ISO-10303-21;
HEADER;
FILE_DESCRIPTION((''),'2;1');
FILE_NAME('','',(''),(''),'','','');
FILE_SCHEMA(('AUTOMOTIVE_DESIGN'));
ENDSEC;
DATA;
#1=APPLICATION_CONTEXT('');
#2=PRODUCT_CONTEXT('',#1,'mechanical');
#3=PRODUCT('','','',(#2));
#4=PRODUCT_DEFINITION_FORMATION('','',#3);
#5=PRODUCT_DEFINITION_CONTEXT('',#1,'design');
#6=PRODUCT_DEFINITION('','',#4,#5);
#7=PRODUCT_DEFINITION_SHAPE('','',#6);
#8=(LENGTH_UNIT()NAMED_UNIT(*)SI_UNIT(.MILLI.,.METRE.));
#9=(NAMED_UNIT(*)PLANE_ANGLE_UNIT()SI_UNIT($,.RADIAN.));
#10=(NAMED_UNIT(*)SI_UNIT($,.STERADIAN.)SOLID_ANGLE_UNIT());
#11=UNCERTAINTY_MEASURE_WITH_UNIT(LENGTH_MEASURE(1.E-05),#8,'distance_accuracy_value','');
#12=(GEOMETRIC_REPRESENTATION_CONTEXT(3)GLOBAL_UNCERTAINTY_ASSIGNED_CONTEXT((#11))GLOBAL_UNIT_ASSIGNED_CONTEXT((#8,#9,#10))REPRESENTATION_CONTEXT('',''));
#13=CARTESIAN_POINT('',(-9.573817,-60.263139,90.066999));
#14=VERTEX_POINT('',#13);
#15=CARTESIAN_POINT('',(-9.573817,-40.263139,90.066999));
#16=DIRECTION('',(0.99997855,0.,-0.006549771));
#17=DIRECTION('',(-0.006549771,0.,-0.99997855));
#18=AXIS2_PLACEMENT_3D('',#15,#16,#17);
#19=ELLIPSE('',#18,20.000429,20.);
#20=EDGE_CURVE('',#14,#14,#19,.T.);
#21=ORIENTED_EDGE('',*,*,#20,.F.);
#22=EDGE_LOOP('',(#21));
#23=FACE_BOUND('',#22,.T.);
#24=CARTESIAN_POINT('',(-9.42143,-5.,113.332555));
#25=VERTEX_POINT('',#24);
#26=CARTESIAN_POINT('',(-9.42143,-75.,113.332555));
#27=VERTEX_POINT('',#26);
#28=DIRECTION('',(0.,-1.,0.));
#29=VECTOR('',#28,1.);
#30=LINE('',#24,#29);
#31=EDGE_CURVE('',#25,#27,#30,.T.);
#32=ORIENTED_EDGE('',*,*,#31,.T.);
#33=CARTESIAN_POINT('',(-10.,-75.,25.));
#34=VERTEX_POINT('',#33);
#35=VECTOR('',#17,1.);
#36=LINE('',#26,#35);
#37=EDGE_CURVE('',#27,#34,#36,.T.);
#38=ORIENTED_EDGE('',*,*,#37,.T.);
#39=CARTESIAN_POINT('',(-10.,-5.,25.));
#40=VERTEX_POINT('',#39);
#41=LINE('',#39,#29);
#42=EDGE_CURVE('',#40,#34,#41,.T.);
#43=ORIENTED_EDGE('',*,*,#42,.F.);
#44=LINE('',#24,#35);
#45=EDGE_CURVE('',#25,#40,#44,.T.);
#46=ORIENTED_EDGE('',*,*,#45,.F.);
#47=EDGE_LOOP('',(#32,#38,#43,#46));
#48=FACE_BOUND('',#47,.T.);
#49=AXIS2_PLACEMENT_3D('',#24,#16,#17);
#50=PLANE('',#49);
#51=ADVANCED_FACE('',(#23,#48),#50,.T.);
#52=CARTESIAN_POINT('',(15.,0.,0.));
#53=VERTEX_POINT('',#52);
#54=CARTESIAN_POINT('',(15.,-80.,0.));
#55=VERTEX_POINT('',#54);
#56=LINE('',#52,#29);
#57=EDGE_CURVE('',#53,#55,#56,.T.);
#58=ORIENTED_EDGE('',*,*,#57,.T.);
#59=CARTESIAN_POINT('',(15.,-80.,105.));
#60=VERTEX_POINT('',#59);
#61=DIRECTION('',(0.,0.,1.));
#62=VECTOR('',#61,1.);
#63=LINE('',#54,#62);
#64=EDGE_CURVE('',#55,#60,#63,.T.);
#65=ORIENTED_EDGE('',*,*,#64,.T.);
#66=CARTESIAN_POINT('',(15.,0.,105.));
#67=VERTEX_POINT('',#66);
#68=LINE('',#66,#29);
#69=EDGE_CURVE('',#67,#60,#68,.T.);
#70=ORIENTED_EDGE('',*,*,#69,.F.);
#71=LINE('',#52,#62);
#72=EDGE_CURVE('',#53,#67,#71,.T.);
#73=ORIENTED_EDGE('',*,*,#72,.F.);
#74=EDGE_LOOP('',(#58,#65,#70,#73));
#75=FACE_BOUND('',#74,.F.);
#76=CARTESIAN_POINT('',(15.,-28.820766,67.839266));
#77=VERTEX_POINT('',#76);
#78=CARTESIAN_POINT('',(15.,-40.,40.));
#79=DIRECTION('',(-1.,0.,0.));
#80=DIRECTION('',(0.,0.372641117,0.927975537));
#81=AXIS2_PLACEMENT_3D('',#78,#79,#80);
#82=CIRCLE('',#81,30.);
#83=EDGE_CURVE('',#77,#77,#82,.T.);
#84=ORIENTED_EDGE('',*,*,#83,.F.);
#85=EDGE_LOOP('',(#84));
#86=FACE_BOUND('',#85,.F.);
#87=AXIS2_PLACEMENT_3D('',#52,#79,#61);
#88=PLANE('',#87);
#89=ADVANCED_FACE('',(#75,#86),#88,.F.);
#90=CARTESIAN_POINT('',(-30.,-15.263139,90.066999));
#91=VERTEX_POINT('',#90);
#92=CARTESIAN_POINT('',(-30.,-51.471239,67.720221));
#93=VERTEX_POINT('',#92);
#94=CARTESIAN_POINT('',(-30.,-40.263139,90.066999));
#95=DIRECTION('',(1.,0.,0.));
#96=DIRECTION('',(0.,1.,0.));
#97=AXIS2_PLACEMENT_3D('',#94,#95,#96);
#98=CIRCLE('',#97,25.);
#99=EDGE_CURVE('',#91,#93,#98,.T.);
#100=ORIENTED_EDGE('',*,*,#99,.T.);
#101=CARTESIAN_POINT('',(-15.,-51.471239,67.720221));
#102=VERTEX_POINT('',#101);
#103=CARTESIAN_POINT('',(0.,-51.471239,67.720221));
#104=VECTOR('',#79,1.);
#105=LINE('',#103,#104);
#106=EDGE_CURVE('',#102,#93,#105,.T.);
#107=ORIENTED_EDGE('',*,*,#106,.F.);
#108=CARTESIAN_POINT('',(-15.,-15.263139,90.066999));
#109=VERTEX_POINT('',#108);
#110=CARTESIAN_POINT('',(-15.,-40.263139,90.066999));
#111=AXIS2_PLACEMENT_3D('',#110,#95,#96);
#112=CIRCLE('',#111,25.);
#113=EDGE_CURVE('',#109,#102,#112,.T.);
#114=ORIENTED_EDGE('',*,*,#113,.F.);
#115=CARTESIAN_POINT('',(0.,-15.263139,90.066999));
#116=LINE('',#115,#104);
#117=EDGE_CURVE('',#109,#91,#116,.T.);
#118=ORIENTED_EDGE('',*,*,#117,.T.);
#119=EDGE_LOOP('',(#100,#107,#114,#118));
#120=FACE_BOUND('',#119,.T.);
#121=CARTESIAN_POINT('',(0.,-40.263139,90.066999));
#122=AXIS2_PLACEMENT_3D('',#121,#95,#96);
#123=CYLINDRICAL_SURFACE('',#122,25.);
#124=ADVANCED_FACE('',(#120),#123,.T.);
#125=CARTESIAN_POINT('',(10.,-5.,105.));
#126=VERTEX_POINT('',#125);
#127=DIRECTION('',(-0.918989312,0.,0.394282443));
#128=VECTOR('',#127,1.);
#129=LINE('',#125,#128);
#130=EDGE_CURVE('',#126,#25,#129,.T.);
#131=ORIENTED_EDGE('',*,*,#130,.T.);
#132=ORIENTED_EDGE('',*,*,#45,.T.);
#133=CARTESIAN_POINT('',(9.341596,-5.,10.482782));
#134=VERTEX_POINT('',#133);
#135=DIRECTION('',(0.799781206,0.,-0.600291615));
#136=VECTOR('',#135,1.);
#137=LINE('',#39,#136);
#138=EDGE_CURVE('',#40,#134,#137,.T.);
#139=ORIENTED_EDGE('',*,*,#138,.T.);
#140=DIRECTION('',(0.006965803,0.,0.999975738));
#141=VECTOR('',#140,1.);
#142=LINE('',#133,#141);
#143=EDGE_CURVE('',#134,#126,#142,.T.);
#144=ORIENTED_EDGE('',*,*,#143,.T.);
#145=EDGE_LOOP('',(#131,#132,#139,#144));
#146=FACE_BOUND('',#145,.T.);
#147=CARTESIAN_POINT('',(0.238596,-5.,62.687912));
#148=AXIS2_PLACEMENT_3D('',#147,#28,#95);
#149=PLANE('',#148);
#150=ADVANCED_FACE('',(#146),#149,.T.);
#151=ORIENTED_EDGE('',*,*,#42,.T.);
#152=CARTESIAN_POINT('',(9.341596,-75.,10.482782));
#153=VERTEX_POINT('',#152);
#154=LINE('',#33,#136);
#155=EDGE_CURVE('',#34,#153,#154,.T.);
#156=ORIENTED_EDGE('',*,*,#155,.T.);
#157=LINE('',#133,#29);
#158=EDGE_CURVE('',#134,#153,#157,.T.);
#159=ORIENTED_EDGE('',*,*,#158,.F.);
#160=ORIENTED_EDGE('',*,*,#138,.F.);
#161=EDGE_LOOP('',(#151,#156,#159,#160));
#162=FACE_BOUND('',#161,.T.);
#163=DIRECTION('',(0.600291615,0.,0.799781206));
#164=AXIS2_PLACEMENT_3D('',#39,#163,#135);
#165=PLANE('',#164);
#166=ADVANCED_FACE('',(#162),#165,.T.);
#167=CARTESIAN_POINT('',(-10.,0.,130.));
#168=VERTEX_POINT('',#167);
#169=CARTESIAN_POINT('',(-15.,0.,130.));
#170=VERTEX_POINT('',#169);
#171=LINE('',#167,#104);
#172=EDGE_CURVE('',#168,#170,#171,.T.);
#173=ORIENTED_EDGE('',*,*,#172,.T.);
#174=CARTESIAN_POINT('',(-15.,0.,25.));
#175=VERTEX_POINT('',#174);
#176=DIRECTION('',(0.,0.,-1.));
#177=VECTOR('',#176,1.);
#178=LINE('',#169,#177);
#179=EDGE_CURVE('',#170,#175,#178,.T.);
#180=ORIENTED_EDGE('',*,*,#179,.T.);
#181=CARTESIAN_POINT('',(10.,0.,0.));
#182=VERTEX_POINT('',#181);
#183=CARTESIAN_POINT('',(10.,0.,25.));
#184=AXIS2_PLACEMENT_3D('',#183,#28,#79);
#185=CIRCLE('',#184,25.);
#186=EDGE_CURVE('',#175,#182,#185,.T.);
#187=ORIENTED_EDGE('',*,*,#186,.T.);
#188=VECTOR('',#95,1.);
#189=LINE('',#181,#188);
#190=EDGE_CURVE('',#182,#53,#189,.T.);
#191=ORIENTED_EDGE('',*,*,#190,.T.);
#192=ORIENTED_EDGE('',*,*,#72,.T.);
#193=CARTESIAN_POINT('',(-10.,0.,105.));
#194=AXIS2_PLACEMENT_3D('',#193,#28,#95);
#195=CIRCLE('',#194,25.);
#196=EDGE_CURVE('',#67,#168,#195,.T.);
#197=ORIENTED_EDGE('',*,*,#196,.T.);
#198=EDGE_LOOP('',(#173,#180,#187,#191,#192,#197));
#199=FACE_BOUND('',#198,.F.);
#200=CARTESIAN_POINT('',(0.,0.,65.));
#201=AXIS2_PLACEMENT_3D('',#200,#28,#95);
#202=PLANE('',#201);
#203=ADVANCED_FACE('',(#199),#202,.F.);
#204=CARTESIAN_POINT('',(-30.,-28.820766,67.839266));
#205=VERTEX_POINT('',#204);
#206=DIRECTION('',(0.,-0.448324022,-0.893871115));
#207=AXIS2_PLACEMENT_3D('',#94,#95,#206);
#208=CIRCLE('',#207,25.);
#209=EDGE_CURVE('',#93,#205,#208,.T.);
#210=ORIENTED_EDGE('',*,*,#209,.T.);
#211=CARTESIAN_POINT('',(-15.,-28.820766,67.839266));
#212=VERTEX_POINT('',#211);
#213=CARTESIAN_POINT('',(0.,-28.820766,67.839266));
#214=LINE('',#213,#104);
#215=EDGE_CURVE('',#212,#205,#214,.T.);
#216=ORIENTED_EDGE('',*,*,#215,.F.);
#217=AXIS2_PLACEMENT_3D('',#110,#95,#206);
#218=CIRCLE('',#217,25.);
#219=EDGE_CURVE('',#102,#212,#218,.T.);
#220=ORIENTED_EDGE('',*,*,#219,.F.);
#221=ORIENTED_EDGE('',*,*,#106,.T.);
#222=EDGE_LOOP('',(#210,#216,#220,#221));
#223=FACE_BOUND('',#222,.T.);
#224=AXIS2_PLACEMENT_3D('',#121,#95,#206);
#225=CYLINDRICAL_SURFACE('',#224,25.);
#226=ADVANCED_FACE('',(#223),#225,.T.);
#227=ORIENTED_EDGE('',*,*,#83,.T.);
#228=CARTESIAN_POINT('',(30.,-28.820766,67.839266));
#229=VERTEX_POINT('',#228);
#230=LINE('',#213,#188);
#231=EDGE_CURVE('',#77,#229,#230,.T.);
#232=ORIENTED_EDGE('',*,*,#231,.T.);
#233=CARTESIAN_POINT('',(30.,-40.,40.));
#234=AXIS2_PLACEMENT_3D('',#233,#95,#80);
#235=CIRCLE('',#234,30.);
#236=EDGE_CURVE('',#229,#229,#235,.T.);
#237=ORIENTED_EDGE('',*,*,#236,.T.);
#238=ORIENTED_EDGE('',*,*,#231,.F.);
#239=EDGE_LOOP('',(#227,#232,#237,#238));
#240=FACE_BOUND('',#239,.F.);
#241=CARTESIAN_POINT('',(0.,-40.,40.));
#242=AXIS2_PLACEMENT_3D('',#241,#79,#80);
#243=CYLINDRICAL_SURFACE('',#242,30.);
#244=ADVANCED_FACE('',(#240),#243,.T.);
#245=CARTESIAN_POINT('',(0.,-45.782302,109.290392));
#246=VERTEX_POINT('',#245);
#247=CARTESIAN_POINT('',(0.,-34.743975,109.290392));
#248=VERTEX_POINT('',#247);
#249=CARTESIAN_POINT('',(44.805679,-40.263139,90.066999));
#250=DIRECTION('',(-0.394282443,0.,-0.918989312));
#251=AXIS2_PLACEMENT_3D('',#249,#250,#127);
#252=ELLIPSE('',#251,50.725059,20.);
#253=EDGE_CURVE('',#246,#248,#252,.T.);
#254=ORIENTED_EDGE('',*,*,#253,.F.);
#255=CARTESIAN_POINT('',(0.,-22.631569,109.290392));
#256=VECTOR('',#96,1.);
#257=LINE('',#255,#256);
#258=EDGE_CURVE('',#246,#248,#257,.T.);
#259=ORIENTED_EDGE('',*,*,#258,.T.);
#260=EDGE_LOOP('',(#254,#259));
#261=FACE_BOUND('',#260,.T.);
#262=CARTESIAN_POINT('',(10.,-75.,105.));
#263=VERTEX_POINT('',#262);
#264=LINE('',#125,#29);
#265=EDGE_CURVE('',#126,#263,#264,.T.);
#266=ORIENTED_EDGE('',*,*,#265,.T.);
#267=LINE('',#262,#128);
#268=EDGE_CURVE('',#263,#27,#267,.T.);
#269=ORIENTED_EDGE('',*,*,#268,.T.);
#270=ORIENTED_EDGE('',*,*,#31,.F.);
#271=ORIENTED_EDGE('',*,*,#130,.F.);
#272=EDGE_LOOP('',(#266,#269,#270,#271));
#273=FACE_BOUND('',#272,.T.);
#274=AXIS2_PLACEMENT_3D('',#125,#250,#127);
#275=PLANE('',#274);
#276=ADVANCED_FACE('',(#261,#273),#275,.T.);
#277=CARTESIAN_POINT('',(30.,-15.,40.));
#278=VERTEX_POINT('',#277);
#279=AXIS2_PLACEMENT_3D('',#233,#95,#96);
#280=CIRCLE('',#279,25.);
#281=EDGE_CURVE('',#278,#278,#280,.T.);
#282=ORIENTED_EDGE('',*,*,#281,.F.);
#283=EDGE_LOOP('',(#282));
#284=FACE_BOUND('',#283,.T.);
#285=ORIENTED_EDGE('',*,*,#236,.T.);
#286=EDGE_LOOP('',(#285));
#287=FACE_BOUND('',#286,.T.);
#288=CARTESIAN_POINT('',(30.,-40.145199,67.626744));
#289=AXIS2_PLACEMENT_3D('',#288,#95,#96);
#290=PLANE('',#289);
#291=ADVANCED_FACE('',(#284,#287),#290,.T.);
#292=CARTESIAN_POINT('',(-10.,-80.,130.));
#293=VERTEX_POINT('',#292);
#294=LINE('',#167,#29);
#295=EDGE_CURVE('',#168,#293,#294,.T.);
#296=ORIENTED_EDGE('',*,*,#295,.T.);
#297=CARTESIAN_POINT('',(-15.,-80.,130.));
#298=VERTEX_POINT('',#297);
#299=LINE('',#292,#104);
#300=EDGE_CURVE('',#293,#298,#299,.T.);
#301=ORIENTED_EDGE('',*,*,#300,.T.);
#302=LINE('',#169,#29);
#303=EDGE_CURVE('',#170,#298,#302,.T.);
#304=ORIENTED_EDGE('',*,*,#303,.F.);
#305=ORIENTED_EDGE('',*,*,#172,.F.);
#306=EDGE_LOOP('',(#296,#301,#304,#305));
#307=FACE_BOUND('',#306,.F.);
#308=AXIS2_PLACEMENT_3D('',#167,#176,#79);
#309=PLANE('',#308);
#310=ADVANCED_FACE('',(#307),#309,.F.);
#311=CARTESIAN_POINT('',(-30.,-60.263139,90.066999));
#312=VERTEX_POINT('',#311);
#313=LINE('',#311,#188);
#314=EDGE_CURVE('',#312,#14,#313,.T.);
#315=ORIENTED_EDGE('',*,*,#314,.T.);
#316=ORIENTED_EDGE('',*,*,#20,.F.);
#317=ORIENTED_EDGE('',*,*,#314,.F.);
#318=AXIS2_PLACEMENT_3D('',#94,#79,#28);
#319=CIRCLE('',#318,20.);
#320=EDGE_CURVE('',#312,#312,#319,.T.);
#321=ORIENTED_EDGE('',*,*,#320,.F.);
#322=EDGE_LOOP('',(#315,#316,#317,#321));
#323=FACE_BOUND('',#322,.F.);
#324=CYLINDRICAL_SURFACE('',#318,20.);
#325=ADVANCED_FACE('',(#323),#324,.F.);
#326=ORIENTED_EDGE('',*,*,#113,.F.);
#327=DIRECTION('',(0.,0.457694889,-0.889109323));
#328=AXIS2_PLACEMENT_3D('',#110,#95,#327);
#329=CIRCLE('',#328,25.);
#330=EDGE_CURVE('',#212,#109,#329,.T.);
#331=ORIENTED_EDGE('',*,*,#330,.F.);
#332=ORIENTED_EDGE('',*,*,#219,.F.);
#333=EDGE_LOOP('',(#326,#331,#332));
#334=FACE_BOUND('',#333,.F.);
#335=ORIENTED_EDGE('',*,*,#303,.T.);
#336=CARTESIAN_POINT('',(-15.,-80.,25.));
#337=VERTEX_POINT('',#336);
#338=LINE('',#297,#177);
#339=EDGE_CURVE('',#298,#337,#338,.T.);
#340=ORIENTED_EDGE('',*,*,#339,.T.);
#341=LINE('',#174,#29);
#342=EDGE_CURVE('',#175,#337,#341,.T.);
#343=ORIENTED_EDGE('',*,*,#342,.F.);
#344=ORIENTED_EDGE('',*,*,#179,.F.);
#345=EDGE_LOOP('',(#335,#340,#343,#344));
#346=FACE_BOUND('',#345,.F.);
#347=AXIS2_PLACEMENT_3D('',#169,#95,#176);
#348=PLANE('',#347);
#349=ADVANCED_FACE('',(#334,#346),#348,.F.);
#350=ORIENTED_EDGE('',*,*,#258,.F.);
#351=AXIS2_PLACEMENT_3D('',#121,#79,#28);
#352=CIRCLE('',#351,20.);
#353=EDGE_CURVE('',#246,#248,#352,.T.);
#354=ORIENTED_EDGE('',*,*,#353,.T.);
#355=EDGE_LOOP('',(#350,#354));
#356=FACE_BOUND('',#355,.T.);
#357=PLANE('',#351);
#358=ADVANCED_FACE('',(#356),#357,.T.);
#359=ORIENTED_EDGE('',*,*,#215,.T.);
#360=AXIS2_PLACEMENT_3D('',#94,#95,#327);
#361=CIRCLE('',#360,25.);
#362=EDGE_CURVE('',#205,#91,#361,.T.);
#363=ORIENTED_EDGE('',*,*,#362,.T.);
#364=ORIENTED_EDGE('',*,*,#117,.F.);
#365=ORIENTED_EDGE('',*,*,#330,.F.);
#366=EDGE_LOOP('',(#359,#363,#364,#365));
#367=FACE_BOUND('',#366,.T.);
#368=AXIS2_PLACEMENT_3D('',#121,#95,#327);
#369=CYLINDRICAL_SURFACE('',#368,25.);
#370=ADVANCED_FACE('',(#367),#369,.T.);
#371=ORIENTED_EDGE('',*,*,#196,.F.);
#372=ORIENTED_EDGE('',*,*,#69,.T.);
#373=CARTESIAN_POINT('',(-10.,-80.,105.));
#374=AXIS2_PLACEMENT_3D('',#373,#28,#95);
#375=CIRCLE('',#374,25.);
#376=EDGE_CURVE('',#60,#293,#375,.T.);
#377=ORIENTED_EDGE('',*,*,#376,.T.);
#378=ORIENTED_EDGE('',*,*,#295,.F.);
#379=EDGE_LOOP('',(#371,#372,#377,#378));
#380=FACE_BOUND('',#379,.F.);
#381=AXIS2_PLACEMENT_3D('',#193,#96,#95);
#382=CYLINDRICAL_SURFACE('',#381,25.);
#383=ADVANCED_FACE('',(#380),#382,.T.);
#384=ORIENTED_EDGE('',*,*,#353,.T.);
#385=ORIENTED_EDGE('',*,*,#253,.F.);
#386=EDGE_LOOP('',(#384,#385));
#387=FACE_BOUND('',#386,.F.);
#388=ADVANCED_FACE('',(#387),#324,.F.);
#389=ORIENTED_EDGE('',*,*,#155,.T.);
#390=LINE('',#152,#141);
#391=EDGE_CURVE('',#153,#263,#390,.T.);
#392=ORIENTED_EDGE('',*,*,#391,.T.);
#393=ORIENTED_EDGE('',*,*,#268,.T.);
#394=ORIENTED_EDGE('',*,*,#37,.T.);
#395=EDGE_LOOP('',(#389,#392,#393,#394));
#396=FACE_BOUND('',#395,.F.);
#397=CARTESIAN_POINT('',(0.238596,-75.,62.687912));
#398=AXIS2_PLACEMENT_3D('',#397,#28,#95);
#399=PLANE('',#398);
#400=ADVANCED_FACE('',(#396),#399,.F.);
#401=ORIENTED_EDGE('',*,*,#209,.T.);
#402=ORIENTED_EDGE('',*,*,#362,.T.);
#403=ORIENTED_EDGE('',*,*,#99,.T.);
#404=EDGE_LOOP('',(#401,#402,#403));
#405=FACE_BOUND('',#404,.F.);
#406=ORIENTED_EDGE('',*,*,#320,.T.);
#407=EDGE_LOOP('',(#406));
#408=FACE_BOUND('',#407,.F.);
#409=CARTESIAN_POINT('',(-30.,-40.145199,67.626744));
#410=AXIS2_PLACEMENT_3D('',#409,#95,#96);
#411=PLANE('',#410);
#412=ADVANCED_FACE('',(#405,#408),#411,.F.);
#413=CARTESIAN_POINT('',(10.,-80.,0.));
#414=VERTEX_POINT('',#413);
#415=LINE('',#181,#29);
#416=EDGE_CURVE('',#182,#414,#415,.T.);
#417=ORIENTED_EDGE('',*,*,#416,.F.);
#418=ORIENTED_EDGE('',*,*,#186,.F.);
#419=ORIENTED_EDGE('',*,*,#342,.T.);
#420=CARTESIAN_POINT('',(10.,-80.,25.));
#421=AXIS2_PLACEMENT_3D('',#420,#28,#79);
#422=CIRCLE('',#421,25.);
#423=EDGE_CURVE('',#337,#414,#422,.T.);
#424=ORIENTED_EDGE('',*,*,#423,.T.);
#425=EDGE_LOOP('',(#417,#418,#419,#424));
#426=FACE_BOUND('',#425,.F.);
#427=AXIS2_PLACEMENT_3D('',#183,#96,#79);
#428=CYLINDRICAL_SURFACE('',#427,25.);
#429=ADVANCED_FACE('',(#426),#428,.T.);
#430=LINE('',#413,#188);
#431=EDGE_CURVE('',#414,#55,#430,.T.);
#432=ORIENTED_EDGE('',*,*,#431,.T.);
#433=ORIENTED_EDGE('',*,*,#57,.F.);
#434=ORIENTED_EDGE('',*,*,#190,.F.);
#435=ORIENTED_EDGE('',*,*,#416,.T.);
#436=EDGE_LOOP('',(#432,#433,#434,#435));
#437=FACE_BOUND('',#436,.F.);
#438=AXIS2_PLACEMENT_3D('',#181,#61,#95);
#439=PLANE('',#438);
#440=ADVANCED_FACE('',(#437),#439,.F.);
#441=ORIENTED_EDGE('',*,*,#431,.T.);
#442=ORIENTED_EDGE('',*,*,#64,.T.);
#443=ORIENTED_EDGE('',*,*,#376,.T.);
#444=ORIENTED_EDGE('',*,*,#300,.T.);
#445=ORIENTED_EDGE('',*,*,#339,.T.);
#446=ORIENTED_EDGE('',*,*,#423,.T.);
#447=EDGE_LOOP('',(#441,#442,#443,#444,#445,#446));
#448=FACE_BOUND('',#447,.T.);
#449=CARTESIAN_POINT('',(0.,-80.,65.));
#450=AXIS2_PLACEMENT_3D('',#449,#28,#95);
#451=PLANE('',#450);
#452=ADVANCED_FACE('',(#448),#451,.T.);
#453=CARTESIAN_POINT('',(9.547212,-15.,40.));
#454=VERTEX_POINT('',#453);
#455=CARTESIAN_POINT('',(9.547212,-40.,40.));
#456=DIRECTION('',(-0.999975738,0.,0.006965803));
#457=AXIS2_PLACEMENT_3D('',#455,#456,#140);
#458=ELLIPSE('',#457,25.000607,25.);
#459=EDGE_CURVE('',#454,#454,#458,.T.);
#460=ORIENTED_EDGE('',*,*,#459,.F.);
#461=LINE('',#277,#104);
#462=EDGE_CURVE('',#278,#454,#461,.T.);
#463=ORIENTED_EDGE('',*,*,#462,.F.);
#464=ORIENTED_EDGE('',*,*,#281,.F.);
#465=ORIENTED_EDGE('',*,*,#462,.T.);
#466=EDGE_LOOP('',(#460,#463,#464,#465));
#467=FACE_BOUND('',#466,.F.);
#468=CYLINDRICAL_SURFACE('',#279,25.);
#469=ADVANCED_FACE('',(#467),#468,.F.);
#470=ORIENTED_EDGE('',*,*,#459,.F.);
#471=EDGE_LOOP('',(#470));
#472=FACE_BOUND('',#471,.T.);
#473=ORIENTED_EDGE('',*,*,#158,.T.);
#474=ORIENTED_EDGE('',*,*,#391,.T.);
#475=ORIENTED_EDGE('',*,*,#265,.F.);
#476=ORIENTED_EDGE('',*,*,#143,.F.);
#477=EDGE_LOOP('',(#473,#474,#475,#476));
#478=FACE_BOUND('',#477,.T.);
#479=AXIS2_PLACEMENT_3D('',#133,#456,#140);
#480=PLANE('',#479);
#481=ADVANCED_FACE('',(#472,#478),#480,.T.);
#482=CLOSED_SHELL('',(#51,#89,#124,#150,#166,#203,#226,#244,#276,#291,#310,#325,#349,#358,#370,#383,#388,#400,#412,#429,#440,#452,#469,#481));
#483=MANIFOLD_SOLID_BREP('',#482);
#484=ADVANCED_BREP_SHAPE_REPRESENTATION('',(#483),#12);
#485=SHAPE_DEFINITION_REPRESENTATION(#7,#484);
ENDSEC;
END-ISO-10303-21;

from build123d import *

# Parameters (mm, degrees)
F4_DEPTH  = 80
F7_DEPTH  = 30
F8_DEPTH  = 30
F9_DEPTH  = 70
F10_R     = 25
F11_DEPTH = 25
F12_R     = 20
F13_DEPTH = 30


with BuildPart() as f4:
    # F2 (on Front) → F4 (new body)
    with BuildSketch(Plane.XZ):
        with BuildLine():
            ThreePointArc((-15, 25), (-7.6776695297, 7.3223304703), (10, 0))
            Line((10, 0), (15, 0))
            Line((15, 0), (15, 105))
            ThreePointArc((15, 105), (7.6776695297, 122.6776695297), (-10, 130))
            Line((-10, 130), (-15, 130))
            Line((-15, 130), (-15, 25))
        make_face()
    extrude(amount=F4_DEPTH)

    # F3 (on Right) → F7 (join)
    with BuildSketch(Plane.YZ):
        with BuildLine():
            ThreePointArc((-51.4712392712, 67.720221312), (-40.1317472353, 65.0673444738), (-28.8207664845, 67.8392661183))
            ThreePointArc((-28.8207664845, 67.8392661183), (-40.1576697714, 69.9995856679), (-51.4712392712, 67.720221312))
        make_face()
        with BuildLine():
            ThreePointArc((-51.4712392712, 67.720221312), (-56.6712750242, 15.0586971257), (-10, 40))
            ThreePointArc((-10, 40), (-15.1466601292, 56.8021277601), (-28.8207664845, 67.8392661183))
            ThreePointArc((-28.8207664845, 67.8392661183), (-40.1317472353, 65.0673444738), (-51.4712392712, 67.720221312))
        make_face()
    extrude(amount=F7_DEPTH)

    # F3 (on Right) → F8 (join)
    with BuildSketch(Plane.YZ):
        with BuildLine():
            ThreePointArc((-51.4712392712, 67.720221312), (-40.1317472353, 65.0673444738), (-28.8207664845, 67.8392661183))
            ThreePointArc((-28.8207664845, 67.8392661183), (-40.1576697714, 69.9995856679), (-51.4712392712, 67.720221312))
        make_face()
        with BuildLine():
            ThreePointArc((-51.4712392712, 67.720221312), (-40.1576697714, 69.9995856679), (-28.8207664845, 67.8392661183))
            ThreePointArc((-28.8207664845, 67.8392661183), (-18.9199980607, 77.0489214909), (-15.2631387115, 90.066999197))
            ThreePointArc((-15.2631387115, 90.066999197), (-53.3932088942, 111.3414264983), (-51.4712392712, 67.720221312))
        make_face()
    extrude(amount=-F8_DEPTH)

    # F6 (on offset) → F9 (cut)
    with BuildSketch(Plane.XZ.offset(5)):
        Polygon((9.3415956944, 10.482782498), (10, 105), (-9.4214295968, 113.332554698), (-10, 25), align=None)
    extrude(amount=F9_DEPTH, mode=Mode.SUBTRACT)

    # F10 (on face) → F11 (cut)
    with BuildSketch(Plane.YZ.offset(30)):
        with Locations((-40, 40)):
            Circle(F10_R)
    extrude(amount=-F11_DEPTH, mode=Mode.SUBTRACT)

    # F12 (on face) → F13 (cut)
    with BuildSketch(Plane(origin=(-30, 0, 0), x_dir=(0, -1, 0), z_dir=(-1, 0, 0))):
        with Locations((40.2631387115, 90.066999197)):
            Circle(F12_R)
    extrude(amount=-F13_DEPTH, mode=Mode.SUBTRACT)


solid = f4.part
